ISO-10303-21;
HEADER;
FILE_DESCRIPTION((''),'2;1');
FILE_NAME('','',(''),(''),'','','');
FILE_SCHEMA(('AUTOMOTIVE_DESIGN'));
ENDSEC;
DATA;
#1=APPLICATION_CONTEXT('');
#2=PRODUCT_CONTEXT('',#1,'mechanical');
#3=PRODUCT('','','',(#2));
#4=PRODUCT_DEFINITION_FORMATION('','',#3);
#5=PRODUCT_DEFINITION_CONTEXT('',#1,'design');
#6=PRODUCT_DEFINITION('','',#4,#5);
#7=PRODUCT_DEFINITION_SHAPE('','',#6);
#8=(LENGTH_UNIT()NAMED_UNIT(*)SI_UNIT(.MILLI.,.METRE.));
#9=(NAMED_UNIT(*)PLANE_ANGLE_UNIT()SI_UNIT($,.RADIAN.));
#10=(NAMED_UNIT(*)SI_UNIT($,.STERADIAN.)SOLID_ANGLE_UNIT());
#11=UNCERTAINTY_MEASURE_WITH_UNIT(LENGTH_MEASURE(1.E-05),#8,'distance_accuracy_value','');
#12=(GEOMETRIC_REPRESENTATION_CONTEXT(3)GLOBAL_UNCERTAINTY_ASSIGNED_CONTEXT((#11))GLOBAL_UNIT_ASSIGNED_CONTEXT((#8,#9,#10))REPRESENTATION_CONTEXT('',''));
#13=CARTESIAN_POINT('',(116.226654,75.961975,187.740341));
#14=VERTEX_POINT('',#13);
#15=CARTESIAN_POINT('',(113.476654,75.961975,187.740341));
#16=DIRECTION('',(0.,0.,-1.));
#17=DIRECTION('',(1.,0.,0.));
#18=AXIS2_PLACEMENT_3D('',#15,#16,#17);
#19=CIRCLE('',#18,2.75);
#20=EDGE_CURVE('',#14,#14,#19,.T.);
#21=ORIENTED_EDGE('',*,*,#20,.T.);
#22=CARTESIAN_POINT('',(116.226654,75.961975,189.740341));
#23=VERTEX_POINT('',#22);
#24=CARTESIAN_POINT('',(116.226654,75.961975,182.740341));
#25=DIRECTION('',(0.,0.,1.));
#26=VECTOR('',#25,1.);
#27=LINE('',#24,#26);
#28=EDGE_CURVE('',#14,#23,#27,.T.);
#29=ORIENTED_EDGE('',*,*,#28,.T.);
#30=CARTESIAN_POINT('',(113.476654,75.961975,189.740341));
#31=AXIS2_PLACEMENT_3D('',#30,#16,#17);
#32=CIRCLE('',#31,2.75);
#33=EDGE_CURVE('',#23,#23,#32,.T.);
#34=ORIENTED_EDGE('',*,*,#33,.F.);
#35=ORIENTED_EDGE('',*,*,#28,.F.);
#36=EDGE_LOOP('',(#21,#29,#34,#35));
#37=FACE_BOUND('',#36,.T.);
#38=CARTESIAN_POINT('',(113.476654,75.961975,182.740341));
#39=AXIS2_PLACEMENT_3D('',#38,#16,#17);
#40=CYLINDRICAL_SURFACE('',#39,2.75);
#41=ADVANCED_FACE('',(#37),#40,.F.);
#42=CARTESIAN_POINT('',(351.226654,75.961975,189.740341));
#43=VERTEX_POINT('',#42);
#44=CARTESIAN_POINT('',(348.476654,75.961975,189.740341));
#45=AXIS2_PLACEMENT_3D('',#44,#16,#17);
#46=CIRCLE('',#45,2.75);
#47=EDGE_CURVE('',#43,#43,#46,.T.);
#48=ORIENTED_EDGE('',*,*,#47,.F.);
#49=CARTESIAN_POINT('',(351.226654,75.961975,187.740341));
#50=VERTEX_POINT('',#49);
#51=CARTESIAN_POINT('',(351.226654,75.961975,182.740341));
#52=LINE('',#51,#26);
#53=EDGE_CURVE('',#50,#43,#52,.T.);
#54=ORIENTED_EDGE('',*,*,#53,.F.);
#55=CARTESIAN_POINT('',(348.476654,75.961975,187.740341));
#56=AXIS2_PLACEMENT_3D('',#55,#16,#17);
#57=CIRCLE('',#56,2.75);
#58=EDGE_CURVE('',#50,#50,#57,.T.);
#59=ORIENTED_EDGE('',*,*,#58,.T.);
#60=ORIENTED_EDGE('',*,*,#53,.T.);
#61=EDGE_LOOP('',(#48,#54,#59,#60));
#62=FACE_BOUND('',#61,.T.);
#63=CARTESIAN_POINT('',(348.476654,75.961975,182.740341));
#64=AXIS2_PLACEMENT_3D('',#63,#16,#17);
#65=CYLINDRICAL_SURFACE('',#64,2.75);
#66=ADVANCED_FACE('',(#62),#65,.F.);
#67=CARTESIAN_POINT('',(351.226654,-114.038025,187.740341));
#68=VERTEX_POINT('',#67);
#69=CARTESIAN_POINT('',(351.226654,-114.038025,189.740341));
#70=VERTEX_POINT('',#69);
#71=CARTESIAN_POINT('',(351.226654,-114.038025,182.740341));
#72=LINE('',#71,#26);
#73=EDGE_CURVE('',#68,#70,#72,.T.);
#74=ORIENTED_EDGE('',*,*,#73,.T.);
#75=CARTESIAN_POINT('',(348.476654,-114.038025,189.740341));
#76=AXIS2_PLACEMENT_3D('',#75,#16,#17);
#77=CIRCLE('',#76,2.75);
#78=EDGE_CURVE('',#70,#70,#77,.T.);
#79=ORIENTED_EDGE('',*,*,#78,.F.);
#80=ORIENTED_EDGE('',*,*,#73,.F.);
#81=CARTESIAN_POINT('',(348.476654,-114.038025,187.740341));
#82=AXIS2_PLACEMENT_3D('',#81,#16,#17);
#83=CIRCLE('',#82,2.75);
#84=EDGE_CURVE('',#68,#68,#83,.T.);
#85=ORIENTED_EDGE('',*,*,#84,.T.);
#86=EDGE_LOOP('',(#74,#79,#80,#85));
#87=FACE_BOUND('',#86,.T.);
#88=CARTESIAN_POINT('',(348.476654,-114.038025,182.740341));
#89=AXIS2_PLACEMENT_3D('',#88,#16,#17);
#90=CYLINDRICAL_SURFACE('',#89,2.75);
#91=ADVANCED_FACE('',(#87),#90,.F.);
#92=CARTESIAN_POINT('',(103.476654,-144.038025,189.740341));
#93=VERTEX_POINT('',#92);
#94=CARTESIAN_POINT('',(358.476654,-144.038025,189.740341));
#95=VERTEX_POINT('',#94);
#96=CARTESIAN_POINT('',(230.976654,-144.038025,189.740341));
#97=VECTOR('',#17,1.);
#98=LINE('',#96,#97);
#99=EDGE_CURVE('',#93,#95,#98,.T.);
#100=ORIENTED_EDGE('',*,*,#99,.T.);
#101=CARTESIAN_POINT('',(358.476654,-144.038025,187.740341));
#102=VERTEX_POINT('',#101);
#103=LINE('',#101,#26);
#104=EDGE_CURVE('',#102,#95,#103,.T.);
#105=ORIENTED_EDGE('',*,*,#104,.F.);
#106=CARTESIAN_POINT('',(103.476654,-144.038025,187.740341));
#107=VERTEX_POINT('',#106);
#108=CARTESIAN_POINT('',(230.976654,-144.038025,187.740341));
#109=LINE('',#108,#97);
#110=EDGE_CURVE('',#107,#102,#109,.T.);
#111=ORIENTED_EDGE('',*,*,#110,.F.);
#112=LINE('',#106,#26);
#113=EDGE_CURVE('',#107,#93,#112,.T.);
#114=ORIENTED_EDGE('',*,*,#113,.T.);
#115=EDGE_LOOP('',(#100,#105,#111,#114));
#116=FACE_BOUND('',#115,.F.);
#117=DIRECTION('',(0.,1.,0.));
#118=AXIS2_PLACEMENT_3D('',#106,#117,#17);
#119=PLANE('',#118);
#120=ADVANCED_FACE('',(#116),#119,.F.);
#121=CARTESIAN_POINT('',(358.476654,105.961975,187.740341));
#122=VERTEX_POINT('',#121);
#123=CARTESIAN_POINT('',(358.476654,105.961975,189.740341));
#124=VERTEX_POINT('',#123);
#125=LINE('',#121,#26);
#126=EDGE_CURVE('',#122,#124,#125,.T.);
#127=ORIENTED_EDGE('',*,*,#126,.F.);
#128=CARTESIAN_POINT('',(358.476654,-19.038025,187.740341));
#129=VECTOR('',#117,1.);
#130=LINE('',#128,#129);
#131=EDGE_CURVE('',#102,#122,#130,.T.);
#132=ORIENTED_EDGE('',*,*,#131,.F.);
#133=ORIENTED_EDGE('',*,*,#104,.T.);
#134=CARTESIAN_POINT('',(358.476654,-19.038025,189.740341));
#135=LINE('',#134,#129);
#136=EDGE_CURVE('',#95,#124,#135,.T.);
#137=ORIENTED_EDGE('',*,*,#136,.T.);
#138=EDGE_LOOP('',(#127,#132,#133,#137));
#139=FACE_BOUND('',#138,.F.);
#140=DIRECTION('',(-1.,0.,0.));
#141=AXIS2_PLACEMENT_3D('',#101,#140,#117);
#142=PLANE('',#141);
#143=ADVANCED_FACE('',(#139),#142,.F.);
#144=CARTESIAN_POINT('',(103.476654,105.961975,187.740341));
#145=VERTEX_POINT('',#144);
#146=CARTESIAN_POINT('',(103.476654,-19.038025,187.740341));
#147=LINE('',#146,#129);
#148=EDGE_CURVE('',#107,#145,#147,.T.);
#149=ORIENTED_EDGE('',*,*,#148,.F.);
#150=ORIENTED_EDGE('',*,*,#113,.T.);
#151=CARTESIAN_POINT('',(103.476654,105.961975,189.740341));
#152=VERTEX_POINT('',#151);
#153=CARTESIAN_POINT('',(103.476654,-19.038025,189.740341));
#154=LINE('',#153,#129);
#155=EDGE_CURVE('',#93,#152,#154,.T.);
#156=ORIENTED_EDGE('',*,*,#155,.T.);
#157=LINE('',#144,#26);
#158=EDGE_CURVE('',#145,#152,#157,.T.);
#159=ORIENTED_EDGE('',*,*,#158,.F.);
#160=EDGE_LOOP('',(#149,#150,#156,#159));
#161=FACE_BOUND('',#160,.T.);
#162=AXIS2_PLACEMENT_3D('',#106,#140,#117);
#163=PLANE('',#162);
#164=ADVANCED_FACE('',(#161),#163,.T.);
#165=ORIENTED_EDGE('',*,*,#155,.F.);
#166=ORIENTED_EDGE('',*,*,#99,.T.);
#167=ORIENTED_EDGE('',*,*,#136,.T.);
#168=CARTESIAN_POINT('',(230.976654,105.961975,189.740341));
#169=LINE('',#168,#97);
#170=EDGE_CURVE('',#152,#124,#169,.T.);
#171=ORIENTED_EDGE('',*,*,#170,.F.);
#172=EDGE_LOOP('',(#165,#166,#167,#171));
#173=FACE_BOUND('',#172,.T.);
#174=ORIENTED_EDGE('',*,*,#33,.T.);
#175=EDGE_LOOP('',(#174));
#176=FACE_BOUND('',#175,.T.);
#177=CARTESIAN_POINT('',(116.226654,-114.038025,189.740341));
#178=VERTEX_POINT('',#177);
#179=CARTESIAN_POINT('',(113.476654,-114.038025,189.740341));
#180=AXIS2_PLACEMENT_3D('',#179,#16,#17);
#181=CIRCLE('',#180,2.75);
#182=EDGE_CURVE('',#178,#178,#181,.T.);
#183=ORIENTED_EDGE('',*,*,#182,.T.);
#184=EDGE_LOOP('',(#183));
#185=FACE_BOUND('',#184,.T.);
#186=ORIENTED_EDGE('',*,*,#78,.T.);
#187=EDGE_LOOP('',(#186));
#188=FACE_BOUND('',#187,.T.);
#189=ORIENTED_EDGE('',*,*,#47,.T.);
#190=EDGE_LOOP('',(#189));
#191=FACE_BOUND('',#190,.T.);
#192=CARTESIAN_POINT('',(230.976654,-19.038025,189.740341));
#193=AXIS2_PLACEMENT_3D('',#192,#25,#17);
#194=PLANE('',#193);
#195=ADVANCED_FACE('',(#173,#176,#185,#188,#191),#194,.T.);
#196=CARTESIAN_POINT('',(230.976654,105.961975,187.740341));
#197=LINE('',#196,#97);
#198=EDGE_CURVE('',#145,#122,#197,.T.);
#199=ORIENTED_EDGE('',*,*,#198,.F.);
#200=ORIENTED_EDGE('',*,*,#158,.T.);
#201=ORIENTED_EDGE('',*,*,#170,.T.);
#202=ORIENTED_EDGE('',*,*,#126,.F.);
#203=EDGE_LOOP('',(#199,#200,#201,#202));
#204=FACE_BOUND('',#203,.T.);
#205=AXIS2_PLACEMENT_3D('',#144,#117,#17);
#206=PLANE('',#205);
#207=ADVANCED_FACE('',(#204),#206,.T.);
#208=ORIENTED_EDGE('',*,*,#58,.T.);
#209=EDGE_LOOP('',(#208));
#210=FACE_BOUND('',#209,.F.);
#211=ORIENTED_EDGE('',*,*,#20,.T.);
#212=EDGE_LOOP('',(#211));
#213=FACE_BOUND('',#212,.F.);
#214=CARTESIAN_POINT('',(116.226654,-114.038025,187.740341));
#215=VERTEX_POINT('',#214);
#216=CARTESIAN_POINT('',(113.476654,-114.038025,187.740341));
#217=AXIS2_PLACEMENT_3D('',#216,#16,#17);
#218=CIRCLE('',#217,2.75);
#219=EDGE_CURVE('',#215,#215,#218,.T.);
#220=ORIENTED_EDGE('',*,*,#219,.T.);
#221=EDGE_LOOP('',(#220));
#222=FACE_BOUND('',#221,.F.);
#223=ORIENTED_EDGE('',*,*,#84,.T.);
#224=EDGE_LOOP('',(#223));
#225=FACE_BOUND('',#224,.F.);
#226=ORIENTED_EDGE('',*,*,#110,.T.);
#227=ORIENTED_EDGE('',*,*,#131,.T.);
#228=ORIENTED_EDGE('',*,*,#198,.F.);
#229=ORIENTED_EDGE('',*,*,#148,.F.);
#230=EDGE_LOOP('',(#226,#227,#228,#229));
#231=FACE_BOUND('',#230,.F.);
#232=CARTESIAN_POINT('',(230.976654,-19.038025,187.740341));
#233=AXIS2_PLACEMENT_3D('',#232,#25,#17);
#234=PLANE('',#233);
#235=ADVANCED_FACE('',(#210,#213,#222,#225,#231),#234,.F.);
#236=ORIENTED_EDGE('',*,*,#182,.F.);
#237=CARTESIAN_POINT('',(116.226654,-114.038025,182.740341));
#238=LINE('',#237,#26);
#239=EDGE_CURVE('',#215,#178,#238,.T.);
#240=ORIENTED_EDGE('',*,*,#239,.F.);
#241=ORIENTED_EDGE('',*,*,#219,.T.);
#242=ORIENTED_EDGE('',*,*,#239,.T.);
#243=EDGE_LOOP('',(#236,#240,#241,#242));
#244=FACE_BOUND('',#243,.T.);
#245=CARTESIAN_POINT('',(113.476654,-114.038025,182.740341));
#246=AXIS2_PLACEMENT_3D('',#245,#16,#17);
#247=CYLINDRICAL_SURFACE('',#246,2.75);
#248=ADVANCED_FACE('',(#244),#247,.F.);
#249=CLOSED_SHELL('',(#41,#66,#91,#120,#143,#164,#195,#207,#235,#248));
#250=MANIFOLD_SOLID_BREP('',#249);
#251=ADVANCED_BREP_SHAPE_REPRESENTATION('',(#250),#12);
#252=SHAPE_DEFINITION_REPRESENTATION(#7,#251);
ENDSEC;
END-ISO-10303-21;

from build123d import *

# Parameters (mm, degrees)
CYLINDER007_R     = 2.75
CYLINDER007_DEPTH = 10
CYLINDER006_R     = 2.75
CYLINDER006_DEPTH = 10
CYLINDER005_R     = 2.75
CYLINDER005_DEPTH = 10
CYLINDER004_R     = 2.75
CYLINDER004_DEPTH = 10
BOX001_W          = 255
BOX001_H          = 250
BOX001_DEPTH      = 2


with BuildPart() as cylinder007:
    # Cylinder007 → Cylinder007 (new body)
    with BuildSketch(Plane(origin=(245, 220, -5), x_dir=(1, 0, 0), z_dir=(0, 0, 1))):
        Circle(CYLINDER007_R)
    extrude(amount=CYLINDER007_DEPTH)


with BuildPart() as cylinder006:
    # Cylinder006 → Cylinder006 (new body)
    with BuildSketch(Plane(origin=(245, 30, -5), x_dir=(1, 0, 0), z_dir=(0, 0, 1))):
        Circle(CYLINDER006_R)
    extrude(amount=CYLINDER006_DEPTH)


with BuildPart() as cylinder005:
    # Cylinder005 → Cylinder005 (new body)
    with BuildSketch(Plane(origin=(10, 220, -5), x_dir=(1, 0, 0), z_dir=(0, 0, 1))):
        Circle(CYLINDER005_R)
    extrude(amount=CYLINDER005_DEPTH)


with BuildPart() as cylinder004:
    # Cylinder004 → Cylinder004 (new body)
    with BuildSketch(Plane(origin=(10, 30, -5), x_dir=(1, 0, 0), z_dir=(0, 0, 1))):
        Circle(CYLINDER004_R)
    extrude(amount=CYLINDER004_DEPTH)


with BuildPart() as side:
    # Box001 → Box001 (new body)
    with BuildSketch(Plane.XY.offset(0)):
        with Locations((127.5, 125)):
            Rectangle(BOX001_W, BOX001_H)
    extrude(amount=BOX001_DEPTH)

    # Cut004: cut Cylinder004
    add(cylinder004.part, mode=Mode.SUBTRACT)

    # Cut005: cut Cylinder005
    add(cylinder005.part, mode=Mode.SUBTRACT)

    # Cut006: cut Cylinder006
    add(cylinder006.part, mode=Mode.SUBTRACT)

    # Cut007: cut Cylinder007
    add(cylinder007.part, mode=Mode.SUBTRACT)


with BuildPart() as side_1:
    # Cut007 placement: moved
    add(side.part.moved(Location((103.476654, -144.038025, 187.740341))))


solid = side_1.part
